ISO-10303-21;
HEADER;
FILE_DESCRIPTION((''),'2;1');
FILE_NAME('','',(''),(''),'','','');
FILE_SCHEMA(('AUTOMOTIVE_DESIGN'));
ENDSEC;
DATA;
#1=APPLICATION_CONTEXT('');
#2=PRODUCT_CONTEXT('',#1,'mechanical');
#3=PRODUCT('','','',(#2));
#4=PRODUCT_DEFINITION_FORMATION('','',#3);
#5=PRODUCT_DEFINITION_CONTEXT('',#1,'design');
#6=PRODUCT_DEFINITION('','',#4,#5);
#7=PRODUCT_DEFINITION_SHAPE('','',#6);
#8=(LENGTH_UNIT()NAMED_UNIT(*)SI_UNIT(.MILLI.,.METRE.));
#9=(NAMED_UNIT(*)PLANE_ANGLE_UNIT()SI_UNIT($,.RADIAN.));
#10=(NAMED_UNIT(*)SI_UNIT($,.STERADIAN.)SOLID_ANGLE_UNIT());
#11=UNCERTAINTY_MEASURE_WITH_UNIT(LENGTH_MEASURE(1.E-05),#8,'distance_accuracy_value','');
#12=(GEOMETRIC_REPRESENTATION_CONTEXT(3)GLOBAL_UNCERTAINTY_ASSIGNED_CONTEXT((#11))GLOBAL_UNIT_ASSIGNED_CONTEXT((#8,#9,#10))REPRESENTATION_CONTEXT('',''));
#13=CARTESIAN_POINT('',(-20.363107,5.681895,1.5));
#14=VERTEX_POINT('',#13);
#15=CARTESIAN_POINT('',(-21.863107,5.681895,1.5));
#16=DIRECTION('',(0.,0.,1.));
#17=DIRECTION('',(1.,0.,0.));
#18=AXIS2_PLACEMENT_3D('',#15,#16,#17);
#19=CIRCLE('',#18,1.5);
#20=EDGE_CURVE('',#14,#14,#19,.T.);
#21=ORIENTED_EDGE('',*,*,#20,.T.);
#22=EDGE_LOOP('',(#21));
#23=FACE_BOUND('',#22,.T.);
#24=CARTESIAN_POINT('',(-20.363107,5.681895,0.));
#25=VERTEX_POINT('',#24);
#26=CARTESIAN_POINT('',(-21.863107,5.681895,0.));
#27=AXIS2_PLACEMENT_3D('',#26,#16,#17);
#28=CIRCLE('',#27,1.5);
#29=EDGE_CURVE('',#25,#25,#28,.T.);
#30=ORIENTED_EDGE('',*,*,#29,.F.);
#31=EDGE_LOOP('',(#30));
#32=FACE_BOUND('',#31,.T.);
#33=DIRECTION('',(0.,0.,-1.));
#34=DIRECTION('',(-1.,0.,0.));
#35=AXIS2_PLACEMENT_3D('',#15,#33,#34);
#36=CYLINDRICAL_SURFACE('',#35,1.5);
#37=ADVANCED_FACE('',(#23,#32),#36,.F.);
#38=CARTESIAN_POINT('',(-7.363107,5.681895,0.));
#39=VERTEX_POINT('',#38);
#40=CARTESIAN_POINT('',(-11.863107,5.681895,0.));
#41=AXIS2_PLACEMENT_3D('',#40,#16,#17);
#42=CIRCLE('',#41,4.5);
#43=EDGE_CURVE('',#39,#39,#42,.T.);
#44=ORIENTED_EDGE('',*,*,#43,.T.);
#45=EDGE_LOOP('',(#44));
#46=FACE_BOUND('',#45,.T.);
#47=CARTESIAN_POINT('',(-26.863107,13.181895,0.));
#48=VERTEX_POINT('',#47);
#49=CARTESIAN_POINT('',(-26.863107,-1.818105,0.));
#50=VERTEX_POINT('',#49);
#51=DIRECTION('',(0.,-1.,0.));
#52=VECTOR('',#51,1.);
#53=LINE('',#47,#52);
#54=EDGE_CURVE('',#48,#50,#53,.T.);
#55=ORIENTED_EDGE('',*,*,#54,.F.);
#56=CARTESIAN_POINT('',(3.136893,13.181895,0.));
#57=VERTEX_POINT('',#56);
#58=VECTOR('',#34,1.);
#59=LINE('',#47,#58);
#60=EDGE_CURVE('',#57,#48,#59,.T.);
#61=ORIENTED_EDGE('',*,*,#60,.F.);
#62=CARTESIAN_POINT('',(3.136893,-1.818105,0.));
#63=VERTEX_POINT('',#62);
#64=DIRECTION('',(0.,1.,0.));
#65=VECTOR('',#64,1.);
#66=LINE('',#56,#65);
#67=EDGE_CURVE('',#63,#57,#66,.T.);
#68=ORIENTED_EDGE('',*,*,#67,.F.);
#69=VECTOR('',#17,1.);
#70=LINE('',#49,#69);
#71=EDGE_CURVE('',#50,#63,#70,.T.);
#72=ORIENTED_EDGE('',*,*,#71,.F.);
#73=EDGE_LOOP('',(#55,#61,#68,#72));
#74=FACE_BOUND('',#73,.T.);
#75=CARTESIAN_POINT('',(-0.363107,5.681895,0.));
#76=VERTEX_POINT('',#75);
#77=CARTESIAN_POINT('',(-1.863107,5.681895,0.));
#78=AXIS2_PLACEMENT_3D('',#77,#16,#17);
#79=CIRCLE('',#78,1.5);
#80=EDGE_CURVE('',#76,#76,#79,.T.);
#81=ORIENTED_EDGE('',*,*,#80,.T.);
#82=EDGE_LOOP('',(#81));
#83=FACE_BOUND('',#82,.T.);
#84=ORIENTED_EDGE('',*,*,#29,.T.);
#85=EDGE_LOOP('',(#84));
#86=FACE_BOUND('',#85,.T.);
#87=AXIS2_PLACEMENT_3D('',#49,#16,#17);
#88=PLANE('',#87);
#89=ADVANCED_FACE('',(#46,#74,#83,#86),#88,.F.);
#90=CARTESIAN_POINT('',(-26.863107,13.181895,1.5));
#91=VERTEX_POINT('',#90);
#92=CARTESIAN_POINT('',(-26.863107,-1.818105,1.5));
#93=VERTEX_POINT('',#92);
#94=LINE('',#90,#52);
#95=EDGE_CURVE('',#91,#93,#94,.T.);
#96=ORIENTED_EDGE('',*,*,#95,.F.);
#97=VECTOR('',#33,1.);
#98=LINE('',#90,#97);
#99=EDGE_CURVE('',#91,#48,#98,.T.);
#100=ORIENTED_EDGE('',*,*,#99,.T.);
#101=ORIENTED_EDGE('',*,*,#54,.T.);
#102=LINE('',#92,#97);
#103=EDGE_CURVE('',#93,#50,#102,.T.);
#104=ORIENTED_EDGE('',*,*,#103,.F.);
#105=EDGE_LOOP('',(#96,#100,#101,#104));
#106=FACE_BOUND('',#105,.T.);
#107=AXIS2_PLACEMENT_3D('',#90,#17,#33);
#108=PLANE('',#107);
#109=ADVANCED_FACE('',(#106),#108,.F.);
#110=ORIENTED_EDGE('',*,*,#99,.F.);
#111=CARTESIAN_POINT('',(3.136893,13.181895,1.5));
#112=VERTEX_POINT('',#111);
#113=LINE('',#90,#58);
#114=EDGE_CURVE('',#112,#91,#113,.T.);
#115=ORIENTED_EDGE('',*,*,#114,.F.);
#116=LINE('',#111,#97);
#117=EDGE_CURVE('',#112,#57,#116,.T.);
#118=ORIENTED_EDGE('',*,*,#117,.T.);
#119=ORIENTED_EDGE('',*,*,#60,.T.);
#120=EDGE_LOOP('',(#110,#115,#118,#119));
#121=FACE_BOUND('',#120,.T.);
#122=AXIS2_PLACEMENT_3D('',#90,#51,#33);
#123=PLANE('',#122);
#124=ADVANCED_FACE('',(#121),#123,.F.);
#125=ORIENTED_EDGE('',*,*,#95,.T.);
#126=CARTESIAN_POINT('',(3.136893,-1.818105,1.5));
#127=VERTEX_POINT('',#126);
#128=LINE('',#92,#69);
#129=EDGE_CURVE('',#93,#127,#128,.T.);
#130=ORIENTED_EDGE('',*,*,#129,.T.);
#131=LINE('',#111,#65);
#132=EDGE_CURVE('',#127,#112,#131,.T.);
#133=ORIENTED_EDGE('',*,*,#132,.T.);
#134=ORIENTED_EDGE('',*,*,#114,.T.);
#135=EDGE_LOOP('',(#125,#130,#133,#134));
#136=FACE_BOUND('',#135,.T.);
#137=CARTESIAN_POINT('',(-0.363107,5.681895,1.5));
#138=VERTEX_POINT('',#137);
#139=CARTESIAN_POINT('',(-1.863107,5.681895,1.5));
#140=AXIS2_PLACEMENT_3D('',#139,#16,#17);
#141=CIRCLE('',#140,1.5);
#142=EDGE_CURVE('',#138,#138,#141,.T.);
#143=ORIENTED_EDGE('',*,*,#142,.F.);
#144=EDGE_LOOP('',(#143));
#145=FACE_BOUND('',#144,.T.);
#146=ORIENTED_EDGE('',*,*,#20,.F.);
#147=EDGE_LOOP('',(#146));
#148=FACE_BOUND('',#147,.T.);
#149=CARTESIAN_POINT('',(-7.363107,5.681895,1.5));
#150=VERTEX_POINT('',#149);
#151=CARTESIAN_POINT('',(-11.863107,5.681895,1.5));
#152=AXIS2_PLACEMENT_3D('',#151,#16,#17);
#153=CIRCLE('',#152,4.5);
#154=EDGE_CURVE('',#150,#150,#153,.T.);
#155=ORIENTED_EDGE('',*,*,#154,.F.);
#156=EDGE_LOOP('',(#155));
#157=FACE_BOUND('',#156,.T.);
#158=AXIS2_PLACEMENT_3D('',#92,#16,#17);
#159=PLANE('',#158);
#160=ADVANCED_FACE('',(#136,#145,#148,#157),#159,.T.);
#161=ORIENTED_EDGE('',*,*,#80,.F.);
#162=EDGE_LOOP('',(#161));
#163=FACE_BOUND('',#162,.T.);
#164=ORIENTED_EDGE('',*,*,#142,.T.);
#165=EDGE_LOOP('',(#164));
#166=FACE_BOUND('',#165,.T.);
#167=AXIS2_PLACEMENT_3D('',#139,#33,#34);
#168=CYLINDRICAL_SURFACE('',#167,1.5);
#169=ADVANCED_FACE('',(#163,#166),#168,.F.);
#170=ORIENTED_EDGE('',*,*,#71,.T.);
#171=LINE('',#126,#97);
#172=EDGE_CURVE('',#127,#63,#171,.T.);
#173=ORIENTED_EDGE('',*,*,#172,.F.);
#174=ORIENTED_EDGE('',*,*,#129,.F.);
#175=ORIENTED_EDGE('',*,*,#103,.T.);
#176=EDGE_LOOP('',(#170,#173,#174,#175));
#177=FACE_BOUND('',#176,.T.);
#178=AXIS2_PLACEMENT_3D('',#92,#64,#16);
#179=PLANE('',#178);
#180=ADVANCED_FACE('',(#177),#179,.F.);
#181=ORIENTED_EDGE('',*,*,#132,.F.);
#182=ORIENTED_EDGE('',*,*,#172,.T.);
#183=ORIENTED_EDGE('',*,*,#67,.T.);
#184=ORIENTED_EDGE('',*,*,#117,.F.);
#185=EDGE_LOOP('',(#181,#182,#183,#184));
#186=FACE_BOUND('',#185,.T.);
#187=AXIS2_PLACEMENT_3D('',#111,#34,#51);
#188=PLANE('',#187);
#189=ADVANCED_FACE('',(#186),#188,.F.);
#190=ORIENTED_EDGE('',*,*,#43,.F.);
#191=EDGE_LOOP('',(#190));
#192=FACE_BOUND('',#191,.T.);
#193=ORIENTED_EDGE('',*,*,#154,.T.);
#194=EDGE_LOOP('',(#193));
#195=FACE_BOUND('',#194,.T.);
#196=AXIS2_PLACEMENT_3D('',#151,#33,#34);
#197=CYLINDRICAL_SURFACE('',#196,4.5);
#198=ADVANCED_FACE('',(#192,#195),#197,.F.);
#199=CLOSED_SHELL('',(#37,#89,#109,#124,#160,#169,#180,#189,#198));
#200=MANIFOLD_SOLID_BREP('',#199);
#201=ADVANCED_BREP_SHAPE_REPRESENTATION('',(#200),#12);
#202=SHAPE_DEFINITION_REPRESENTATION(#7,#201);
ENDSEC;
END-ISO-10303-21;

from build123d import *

# Parameters (mm, degrees)
ESQUISSE1_W      = 30
ESQUISSE1_H      = 15
ESQUISSE1_R      = 4.5
ESQUISSE1_R_2    = 1.5
EXTRUSION1_DEPTH = 1.5


with BuildPart() as part:
    # Esquisse1 → Extrusion1 (new body)
    with BuildSketch(Plane.XY):
        with Locations((-11.863107432, 5.681894737)):
            Rectangle(ESQUISSE1_W, ESQUISSE1_H)
        with Locations((-11.863107432, 5.681894737)):
            Circle(ESQUISSE1_R, mode=Mode.SUBTRACT)
        with Locations((-21.863107432, 5.681894737)):
            Circle(ESQUISSE1_R_2, mode=Mode.SUBTRACT)
        with Locations((-1.863107432, 5.681894737)):
            Circle(ESQUISSE1_R_2, mode=Mode.SUBTRACT)
    extrude(amount=EXTRUSION1_DEPTH)


solid = part.part
